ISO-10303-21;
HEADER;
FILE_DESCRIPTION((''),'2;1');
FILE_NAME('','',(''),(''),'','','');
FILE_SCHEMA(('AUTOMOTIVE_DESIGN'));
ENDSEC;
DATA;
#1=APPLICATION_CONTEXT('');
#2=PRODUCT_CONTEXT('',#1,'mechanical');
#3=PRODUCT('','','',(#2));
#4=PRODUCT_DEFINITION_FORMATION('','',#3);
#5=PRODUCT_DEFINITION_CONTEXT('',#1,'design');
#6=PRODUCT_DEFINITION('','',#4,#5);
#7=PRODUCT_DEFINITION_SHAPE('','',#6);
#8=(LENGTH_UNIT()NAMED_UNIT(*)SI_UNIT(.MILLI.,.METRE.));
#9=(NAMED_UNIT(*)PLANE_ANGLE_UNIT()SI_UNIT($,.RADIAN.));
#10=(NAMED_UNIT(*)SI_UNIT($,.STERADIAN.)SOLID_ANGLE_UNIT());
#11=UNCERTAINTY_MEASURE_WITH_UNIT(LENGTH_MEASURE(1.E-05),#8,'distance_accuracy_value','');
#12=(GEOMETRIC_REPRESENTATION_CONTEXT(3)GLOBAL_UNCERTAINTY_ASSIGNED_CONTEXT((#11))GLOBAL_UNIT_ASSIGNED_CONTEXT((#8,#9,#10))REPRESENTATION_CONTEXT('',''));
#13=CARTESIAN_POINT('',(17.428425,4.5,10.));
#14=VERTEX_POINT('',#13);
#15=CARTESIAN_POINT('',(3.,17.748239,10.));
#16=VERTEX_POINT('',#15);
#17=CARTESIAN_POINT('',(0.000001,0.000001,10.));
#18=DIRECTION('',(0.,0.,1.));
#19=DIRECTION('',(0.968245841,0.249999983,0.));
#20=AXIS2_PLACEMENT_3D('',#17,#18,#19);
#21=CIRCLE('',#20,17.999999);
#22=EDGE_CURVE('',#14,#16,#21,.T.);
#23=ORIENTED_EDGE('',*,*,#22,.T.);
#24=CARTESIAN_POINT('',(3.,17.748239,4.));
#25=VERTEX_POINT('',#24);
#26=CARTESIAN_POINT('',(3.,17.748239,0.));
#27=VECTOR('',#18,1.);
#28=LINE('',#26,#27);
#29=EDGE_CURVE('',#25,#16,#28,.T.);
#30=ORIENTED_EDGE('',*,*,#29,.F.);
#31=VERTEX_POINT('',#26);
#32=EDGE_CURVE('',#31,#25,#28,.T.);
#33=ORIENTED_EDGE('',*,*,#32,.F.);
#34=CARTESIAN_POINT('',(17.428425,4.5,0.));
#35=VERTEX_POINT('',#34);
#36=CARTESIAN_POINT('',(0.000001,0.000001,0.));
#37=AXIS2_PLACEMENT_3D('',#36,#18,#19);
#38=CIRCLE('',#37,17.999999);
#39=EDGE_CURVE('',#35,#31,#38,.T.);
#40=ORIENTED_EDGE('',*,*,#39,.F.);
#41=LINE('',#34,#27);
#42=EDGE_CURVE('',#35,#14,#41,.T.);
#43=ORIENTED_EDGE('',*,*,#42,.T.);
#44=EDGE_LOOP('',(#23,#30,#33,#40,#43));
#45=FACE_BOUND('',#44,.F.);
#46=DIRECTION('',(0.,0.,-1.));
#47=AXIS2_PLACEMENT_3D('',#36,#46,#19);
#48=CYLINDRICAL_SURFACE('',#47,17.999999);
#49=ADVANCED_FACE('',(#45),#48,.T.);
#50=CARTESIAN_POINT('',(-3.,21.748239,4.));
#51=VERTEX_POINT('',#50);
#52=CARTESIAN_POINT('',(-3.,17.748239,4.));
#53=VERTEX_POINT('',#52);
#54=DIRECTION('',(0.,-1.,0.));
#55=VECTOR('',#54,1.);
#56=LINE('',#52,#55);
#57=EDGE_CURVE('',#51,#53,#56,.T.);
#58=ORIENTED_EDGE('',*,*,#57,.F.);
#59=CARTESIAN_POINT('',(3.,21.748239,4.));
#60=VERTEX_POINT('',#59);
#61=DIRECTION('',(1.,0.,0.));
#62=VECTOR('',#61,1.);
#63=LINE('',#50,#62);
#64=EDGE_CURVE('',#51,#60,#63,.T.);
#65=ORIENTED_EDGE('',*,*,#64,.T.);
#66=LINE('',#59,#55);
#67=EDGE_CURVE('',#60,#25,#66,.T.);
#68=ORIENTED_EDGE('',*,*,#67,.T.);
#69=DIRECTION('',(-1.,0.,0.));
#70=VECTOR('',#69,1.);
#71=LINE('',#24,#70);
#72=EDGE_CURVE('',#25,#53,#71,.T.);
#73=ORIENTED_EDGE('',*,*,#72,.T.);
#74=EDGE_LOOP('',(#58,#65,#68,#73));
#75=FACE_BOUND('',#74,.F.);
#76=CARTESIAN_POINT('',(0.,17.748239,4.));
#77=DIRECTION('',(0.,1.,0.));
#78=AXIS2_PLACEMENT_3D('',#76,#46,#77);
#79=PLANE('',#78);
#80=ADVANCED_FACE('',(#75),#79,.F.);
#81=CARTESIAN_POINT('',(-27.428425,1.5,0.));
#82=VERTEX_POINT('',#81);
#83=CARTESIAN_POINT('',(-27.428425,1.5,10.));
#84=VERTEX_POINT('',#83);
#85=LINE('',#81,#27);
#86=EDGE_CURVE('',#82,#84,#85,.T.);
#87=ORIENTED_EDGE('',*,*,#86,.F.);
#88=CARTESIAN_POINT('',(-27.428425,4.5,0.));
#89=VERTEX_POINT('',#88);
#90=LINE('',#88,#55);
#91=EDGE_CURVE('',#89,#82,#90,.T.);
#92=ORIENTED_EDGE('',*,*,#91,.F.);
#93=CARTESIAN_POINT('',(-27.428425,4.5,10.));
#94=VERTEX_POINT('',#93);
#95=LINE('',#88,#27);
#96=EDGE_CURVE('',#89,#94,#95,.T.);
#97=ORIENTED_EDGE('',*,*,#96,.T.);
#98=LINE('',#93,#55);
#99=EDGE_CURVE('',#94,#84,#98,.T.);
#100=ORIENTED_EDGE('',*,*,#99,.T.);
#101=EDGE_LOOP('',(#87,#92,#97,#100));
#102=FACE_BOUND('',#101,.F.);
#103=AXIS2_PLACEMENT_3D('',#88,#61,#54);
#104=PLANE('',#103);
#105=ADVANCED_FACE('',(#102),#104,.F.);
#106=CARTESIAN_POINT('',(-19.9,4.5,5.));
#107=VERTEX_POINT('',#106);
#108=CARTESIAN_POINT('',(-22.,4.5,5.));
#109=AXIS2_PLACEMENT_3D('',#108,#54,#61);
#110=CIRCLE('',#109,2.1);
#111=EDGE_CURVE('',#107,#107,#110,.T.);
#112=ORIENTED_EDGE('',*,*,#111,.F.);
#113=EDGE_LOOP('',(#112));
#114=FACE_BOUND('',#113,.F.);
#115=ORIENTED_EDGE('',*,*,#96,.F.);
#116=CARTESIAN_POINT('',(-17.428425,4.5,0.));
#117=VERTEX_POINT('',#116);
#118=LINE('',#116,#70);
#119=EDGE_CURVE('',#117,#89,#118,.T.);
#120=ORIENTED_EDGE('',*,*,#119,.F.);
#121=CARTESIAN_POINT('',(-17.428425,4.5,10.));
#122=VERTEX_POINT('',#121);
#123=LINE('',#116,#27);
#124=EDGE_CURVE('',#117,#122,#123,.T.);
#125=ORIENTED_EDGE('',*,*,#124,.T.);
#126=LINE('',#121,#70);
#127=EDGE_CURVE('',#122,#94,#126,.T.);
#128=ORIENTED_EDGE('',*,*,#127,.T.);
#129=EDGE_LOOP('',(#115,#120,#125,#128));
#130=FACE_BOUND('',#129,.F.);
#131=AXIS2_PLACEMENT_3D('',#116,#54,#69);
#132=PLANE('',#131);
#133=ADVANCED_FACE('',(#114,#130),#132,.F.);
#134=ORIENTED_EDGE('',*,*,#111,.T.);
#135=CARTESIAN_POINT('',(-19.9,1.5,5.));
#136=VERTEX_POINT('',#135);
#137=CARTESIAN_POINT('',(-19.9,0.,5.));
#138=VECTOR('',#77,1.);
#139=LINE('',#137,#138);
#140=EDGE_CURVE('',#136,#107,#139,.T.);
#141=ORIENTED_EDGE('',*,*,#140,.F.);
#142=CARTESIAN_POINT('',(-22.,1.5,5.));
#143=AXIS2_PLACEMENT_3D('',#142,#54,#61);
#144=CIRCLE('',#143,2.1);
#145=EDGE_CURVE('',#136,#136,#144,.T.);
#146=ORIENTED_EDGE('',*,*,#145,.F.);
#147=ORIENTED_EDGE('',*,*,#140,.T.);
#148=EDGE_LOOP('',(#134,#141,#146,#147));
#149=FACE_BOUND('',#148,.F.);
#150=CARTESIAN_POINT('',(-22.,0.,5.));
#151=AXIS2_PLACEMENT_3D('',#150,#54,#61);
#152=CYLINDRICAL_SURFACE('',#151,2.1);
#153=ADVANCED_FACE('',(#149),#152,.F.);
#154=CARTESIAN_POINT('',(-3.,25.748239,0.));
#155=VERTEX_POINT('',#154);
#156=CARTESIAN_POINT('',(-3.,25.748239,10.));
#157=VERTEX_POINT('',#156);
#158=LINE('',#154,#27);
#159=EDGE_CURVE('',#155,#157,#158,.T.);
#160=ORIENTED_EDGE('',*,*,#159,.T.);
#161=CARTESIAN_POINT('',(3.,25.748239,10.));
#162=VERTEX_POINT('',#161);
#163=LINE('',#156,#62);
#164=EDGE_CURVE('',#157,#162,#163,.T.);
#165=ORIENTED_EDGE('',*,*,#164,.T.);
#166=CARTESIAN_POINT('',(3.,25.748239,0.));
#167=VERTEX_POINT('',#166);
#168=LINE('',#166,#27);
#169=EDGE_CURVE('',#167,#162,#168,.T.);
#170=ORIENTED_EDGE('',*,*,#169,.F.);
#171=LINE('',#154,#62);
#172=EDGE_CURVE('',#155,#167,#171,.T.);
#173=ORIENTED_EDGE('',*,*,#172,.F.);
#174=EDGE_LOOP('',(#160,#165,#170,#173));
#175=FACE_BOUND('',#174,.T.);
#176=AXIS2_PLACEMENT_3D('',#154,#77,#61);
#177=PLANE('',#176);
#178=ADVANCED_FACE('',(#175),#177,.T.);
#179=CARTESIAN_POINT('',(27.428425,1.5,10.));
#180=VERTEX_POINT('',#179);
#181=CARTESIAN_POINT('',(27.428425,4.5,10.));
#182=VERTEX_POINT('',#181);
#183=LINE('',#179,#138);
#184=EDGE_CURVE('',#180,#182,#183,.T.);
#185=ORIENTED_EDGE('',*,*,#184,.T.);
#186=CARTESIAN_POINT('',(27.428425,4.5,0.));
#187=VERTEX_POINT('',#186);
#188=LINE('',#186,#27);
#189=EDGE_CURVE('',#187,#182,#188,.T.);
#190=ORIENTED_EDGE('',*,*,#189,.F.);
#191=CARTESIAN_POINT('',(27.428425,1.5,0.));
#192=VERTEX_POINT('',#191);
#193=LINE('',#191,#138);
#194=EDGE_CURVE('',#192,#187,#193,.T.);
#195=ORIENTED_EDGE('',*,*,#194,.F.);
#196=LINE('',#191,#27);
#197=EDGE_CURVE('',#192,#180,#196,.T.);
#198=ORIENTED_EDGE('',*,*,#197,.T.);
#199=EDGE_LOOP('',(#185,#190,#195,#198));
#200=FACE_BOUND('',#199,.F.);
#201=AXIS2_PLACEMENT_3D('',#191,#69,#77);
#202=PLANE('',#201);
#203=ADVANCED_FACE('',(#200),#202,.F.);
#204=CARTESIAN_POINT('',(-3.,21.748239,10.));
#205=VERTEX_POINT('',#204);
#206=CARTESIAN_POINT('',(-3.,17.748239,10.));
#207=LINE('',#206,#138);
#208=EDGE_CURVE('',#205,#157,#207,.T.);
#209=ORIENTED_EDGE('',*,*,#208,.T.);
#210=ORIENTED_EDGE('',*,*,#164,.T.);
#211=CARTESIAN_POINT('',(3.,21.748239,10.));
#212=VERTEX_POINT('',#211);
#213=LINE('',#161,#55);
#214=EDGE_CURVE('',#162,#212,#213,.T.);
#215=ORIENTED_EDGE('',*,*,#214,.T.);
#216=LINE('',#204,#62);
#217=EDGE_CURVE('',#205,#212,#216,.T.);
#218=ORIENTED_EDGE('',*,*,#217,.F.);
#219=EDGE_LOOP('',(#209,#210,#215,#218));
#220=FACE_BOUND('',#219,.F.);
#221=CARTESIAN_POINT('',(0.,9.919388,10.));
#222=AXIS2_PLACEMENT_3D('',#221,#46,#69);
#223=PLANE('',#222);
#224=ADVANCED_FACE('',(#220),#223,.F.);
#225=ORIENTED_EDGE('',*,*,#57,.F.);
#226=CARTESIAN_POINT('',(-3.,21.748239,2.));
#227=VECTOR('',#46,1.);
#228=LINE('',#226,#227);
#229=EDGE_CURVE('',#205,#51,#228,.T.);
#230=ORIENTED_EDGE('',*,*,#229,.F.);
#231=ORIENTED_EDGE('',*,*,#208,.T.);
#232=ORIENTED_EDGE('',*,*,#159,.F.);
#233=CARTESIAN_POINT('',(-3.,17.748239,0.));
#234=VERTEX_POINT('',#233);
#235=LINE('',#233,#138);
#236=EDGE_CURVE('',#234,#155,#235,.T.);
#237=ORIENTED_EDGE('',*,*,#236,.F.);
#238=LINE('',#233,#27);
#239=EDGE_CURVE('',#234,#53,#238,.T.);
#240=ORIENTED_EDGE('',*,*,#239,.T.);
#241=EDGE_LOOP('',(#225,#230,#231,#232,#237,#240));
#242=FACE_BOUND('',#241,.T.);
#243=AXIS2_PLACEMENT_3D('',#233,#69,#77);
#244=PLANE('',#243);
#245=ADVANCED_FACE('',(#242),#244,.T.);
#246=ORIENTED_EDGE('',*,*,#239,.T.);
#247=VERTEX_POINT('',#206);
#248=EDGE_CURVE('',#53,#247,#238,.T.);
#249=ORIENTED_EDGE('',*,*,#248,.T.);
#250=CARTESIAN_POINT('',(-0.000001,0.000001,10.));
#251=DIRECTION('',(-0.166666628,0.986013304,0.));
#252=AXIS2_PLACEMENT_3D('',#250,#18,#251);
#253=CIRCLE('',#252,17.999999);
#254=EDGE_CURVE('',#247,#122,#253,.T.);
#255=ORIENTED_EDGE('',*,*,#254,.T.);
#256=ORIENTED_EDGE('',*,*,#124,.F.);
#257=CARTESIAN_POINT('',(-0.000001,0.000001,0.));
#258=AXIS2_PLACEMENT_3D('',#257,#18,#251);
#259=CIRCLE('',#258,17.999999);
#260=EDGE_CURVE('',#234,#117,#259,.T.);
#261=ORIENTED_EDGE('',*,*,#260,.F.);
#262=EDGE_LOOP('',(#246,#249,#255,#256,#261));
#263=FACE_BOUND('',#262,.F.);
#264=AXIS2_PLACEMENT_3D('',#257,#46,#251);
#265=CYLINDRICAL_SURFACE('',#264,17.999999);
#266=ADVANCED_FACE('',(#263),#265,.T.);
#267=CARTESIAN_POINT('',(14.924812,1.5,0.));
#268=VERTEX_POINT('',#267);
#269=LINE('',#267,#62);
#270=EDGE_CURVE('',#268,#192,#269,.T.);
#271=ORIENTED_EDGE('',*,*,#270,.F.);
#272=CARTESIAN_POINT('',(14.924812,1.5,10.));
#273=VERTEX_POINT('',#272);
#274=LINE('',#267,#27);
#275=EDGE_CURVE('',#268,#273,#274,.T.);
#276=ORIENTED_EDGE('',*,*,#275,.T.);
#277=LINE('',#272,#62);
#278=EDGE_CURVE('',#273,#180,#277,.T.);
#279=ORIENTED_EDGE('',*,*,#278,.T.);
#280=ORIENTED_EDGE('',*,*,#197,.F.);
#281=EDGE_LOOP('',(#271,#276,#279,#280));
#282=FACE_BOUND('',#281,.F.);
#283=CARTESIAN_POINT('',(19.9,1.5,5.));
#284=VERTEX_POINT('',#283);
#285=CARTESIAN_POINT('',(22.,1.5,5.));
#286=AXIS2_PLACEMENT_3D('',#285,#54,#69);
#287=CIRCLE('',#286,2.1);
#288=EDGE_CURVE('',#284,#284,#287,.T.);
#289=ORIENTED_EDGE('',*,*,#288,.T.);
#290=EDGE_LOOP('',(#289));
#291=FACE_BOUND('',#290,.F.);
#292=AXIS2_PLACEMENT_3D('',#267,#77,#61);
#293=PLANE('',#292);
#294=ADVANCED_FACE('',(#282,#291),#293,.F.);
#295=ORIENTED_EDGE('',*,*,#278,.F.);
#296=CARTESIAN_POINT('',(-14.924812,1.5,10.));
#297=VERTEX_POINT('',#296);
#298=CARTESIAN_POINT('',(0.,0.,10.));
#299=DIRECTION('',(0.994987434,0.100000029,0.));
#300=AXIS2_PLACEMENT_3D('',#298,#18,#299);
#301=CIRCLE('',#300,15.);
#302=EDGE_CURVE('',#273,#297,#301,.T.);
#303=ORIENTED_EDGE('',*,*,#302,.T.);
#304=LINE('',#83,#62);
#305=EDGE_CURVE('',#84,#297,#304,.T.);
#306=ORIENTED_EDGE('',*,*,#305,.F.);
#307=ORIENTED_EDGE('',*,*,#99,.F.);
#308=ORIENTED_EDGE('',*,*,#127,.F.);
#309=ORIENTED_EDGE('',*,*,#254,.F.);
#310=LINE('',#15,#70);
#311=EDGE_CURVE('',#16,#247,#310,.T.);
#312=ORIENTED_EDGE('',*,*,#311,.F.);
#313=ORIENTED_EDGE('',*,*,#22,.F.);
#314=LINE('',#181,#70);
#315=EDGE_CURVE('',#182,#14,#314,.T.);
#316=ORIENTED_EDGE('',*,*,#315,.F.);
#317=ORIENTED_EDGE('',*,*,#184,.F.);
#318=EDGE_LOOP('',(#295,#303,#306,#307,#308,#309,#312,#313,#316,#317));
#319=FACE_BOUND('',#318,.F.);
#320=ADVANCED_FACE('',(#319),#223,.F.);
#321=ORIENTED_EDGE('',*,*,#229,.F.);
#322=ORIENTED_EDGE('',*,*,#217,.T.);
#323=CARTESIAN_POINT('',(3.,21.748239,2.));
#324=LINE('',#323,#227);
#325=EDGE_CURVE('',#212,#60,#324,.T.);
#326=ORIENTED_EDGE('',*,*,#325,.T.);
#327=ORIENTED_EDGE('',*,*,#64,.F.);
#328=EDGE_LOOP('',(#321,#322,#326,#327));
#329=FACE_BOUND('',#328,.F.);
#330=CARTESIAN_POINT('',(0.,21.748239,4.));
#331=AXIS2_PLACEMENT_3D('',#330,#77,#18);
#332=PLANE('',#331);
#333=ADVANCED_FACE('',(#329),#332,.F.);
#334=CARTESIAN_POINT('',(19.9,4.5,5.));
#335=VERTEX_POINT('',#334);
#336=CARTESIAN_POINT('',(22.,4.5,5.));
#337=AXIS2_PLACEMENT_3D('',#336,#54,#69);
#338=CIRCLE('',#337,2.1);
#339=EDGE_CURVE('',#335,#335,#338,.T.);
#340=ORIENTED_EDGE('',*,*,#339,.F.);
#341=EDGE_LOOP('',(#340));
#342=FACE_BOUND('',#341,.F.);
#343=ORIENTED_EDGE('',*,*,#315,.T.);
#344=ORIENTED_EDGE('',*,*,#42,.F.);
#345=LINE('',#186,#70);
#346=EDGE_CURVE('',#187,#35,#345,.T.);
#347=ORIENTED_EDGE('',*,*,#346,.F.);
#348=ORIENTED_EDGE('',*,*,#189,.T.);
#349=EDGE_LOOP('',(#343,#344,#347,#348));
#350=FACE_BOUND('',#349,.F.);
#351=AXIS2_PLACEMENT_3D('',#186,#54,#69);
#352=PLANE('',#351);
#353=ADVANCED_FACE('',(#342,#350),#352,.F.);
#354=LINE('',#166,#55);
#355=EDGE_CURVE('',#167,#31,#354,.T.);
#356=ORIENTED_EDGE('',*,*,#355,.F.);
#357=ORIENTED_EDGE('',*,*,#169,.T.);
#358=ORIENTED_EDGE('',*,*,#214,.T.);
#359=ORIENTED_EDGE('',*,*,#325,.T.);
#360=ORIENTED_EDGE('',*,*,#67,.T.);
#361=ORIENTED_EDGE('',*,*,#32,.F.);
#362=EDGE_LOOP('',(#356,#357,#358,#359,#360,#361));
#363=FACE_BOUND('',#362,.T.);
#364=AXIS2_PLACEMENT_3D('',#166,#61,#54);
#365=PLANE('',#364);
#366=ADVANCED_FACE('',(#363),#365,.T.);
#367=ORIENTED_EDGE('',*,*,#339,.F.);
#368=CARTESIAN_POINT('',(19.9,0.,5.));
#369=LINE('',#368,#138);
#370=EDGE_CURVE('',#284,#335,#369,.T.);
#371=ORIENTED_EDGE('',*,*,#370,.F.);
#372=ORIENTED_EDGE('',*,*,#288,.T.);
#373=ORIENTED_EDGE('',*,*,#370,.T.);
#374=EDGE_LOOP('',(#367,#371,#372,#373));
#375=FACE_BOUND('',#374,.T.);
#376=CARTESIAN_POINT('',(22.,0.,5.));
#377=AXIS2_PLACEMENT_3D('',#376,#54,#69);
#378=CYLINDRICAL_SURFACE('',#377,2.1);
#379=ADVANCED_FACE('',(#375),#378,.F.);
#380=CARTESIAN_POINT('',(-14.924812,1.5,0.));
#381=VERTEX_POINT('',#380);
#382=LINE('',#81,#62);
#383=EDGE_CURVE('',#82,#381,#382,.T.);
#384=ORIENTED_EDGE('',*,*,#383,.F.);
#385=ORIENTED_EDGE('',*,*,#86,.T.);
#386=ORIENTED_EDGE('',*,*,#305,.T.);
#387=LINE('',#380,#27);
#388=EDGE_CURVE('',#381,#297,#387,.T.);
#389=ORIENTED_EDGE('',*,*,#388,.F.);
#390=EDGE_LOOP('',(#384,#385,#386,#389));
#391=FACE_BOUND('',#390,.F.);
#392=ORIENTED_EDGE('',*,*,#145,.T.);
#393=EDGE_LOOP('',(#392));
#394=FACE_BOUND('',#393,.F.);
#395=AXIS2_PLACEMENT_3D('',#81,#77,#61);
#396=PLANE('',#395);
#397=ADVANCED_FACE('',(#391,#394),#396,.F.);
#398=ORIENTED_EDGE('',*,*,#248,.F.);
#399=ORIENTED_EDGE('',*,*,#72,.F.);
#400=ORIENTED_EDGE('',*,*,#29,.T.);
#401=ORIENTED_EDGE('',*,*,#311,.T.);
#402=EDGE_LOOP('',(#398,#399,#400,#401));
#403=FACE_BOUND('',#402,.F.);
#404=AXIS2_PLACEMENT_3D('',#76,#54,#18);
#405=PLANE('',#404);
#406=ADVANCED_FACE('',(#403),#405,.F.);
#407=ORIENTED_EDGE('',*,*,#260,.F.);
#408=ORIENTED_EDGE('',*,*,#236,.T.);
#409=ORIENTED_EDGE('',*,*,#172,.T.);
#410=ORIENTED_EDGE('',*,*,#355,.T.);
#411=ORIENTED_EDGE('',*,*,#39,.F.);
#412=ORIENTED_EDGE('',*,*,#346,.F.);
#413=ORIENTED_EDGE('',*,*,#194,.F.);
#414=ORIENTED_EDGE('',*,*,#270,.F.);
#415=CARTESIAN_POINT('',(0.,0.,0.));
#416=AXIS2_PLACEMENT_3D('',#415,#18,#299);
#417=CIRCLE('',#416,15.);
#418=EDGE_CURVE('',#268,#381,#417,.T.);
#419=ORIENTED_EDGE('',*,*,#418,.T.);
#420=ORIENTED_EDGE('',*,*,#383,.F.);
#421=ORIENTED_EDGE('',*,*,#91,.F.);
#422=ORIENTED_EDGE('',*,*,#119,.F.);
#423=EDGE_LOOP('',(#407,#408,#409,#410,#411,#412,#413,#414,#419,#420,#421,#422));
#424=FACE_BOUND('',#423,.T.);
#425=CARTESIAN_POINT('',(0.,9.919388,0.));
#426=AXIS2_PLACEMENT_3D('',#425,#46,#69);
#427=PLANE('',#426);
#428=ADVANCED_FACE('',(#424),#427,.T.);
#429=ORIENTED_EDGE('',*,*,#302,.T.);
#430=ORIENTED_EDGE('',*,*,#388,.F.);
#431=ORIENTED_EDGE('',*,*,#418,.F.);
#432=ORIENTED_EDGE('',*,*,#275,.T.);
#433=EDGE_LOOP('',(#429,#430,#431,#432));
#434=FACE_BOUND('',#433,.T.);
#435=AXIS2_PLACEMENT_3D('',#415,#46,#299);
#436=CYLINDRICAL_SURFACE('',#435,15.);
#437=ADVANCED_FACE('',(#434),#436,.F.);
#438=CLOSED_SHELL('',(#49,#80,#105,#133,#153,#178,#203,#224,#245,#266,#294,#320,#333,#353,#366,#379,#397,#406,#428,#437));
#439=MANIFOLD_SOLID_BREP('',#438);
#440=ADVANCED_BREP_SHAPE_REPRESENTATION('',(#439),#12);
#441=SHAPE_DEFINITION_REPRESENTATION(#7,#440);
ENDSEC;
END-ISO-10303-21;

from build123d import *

# Parameters (mm, degrees)
PAD_DEPTH            = 10
SKETCH001_R          = 2.1
POCKET_DEPTH         = 147.35929
SKETCH002_W          = 4
SKETCH002_H          = 6
POCKET001_DEPTH      = 27.429425
POCKET001_DEPTH_BACK = -27.429425


with BuildPart() as part:
    # Sketch → Pad (new body)
    with BuildSketch(Plane.XY):
        with BuildLine():
            ThreePointArc((14.924812, 1.5), (0, 15), (-14.924812, 1.5))
            Line((-27.428425, 1.5), (-14.924812, 1.5))
            Line((-27.428425, 4.5), (-27.428425, 1.5))
            Line((-17.428425, 4.5), (-27.428425, 4.5))
            ThreePointArc((-3, 17.748239), (-12.174116, 13.258616), (-17.428425, 4.5))
            Line((-3, 17.748239), (-3, 25.748239))
            Line((-3, 25.748239), (3, 25.748239))
            Line((3, 25.748239), (3, 17.748239))
            ThreePointArc((17.428425, 4.5), (12.174116, 13.258616), (3, 17.748239))
            Line((27.428425, 4.5), (17.428425, 4.5))
            Line((27.428425, 1.5), (27.428425, 4.5))
            Line((14.924812, 1.5), (27.428425, 1.5))
        make_face()
    extrude(amount=PAD_DEPTH)

    # Sketch001 → Pocket (cut, through all)
    with BuildSketch(Plane.XZ):
        with Locations((-22, 5)):
            Circle(SKETCH001_R)
    pocket = extrude(amount=-POCKET_DEPTH, mode=Mode.SUBTRACT)

    # Mirrored: Pocket across Sketch001 V_Axis
    add(pocket.mirror(Plane(origin=(0, 0, 0), x_dir=(0, -1, 0), z_dir=(1, 0, 0))), mode=Mode.SUBTRACT)

    # Sketch002 → Pocket001 (cut, two sides)
    with BuildSketch(Plane.YZ) as pocket001_sk:
        with Locations((19.748239, 7)):
            Rectangle(SKETCH002_W, SKETCH002_H)
    extrude(amount=-POCKET001_DEPTH, mode=Mode.SUBTRACT)
    extrude(pocket001_sk.sketch, amount=-POCKET001_DEPTH_BACK, mode=Mode.SUBTRACT)


solid = part.part
